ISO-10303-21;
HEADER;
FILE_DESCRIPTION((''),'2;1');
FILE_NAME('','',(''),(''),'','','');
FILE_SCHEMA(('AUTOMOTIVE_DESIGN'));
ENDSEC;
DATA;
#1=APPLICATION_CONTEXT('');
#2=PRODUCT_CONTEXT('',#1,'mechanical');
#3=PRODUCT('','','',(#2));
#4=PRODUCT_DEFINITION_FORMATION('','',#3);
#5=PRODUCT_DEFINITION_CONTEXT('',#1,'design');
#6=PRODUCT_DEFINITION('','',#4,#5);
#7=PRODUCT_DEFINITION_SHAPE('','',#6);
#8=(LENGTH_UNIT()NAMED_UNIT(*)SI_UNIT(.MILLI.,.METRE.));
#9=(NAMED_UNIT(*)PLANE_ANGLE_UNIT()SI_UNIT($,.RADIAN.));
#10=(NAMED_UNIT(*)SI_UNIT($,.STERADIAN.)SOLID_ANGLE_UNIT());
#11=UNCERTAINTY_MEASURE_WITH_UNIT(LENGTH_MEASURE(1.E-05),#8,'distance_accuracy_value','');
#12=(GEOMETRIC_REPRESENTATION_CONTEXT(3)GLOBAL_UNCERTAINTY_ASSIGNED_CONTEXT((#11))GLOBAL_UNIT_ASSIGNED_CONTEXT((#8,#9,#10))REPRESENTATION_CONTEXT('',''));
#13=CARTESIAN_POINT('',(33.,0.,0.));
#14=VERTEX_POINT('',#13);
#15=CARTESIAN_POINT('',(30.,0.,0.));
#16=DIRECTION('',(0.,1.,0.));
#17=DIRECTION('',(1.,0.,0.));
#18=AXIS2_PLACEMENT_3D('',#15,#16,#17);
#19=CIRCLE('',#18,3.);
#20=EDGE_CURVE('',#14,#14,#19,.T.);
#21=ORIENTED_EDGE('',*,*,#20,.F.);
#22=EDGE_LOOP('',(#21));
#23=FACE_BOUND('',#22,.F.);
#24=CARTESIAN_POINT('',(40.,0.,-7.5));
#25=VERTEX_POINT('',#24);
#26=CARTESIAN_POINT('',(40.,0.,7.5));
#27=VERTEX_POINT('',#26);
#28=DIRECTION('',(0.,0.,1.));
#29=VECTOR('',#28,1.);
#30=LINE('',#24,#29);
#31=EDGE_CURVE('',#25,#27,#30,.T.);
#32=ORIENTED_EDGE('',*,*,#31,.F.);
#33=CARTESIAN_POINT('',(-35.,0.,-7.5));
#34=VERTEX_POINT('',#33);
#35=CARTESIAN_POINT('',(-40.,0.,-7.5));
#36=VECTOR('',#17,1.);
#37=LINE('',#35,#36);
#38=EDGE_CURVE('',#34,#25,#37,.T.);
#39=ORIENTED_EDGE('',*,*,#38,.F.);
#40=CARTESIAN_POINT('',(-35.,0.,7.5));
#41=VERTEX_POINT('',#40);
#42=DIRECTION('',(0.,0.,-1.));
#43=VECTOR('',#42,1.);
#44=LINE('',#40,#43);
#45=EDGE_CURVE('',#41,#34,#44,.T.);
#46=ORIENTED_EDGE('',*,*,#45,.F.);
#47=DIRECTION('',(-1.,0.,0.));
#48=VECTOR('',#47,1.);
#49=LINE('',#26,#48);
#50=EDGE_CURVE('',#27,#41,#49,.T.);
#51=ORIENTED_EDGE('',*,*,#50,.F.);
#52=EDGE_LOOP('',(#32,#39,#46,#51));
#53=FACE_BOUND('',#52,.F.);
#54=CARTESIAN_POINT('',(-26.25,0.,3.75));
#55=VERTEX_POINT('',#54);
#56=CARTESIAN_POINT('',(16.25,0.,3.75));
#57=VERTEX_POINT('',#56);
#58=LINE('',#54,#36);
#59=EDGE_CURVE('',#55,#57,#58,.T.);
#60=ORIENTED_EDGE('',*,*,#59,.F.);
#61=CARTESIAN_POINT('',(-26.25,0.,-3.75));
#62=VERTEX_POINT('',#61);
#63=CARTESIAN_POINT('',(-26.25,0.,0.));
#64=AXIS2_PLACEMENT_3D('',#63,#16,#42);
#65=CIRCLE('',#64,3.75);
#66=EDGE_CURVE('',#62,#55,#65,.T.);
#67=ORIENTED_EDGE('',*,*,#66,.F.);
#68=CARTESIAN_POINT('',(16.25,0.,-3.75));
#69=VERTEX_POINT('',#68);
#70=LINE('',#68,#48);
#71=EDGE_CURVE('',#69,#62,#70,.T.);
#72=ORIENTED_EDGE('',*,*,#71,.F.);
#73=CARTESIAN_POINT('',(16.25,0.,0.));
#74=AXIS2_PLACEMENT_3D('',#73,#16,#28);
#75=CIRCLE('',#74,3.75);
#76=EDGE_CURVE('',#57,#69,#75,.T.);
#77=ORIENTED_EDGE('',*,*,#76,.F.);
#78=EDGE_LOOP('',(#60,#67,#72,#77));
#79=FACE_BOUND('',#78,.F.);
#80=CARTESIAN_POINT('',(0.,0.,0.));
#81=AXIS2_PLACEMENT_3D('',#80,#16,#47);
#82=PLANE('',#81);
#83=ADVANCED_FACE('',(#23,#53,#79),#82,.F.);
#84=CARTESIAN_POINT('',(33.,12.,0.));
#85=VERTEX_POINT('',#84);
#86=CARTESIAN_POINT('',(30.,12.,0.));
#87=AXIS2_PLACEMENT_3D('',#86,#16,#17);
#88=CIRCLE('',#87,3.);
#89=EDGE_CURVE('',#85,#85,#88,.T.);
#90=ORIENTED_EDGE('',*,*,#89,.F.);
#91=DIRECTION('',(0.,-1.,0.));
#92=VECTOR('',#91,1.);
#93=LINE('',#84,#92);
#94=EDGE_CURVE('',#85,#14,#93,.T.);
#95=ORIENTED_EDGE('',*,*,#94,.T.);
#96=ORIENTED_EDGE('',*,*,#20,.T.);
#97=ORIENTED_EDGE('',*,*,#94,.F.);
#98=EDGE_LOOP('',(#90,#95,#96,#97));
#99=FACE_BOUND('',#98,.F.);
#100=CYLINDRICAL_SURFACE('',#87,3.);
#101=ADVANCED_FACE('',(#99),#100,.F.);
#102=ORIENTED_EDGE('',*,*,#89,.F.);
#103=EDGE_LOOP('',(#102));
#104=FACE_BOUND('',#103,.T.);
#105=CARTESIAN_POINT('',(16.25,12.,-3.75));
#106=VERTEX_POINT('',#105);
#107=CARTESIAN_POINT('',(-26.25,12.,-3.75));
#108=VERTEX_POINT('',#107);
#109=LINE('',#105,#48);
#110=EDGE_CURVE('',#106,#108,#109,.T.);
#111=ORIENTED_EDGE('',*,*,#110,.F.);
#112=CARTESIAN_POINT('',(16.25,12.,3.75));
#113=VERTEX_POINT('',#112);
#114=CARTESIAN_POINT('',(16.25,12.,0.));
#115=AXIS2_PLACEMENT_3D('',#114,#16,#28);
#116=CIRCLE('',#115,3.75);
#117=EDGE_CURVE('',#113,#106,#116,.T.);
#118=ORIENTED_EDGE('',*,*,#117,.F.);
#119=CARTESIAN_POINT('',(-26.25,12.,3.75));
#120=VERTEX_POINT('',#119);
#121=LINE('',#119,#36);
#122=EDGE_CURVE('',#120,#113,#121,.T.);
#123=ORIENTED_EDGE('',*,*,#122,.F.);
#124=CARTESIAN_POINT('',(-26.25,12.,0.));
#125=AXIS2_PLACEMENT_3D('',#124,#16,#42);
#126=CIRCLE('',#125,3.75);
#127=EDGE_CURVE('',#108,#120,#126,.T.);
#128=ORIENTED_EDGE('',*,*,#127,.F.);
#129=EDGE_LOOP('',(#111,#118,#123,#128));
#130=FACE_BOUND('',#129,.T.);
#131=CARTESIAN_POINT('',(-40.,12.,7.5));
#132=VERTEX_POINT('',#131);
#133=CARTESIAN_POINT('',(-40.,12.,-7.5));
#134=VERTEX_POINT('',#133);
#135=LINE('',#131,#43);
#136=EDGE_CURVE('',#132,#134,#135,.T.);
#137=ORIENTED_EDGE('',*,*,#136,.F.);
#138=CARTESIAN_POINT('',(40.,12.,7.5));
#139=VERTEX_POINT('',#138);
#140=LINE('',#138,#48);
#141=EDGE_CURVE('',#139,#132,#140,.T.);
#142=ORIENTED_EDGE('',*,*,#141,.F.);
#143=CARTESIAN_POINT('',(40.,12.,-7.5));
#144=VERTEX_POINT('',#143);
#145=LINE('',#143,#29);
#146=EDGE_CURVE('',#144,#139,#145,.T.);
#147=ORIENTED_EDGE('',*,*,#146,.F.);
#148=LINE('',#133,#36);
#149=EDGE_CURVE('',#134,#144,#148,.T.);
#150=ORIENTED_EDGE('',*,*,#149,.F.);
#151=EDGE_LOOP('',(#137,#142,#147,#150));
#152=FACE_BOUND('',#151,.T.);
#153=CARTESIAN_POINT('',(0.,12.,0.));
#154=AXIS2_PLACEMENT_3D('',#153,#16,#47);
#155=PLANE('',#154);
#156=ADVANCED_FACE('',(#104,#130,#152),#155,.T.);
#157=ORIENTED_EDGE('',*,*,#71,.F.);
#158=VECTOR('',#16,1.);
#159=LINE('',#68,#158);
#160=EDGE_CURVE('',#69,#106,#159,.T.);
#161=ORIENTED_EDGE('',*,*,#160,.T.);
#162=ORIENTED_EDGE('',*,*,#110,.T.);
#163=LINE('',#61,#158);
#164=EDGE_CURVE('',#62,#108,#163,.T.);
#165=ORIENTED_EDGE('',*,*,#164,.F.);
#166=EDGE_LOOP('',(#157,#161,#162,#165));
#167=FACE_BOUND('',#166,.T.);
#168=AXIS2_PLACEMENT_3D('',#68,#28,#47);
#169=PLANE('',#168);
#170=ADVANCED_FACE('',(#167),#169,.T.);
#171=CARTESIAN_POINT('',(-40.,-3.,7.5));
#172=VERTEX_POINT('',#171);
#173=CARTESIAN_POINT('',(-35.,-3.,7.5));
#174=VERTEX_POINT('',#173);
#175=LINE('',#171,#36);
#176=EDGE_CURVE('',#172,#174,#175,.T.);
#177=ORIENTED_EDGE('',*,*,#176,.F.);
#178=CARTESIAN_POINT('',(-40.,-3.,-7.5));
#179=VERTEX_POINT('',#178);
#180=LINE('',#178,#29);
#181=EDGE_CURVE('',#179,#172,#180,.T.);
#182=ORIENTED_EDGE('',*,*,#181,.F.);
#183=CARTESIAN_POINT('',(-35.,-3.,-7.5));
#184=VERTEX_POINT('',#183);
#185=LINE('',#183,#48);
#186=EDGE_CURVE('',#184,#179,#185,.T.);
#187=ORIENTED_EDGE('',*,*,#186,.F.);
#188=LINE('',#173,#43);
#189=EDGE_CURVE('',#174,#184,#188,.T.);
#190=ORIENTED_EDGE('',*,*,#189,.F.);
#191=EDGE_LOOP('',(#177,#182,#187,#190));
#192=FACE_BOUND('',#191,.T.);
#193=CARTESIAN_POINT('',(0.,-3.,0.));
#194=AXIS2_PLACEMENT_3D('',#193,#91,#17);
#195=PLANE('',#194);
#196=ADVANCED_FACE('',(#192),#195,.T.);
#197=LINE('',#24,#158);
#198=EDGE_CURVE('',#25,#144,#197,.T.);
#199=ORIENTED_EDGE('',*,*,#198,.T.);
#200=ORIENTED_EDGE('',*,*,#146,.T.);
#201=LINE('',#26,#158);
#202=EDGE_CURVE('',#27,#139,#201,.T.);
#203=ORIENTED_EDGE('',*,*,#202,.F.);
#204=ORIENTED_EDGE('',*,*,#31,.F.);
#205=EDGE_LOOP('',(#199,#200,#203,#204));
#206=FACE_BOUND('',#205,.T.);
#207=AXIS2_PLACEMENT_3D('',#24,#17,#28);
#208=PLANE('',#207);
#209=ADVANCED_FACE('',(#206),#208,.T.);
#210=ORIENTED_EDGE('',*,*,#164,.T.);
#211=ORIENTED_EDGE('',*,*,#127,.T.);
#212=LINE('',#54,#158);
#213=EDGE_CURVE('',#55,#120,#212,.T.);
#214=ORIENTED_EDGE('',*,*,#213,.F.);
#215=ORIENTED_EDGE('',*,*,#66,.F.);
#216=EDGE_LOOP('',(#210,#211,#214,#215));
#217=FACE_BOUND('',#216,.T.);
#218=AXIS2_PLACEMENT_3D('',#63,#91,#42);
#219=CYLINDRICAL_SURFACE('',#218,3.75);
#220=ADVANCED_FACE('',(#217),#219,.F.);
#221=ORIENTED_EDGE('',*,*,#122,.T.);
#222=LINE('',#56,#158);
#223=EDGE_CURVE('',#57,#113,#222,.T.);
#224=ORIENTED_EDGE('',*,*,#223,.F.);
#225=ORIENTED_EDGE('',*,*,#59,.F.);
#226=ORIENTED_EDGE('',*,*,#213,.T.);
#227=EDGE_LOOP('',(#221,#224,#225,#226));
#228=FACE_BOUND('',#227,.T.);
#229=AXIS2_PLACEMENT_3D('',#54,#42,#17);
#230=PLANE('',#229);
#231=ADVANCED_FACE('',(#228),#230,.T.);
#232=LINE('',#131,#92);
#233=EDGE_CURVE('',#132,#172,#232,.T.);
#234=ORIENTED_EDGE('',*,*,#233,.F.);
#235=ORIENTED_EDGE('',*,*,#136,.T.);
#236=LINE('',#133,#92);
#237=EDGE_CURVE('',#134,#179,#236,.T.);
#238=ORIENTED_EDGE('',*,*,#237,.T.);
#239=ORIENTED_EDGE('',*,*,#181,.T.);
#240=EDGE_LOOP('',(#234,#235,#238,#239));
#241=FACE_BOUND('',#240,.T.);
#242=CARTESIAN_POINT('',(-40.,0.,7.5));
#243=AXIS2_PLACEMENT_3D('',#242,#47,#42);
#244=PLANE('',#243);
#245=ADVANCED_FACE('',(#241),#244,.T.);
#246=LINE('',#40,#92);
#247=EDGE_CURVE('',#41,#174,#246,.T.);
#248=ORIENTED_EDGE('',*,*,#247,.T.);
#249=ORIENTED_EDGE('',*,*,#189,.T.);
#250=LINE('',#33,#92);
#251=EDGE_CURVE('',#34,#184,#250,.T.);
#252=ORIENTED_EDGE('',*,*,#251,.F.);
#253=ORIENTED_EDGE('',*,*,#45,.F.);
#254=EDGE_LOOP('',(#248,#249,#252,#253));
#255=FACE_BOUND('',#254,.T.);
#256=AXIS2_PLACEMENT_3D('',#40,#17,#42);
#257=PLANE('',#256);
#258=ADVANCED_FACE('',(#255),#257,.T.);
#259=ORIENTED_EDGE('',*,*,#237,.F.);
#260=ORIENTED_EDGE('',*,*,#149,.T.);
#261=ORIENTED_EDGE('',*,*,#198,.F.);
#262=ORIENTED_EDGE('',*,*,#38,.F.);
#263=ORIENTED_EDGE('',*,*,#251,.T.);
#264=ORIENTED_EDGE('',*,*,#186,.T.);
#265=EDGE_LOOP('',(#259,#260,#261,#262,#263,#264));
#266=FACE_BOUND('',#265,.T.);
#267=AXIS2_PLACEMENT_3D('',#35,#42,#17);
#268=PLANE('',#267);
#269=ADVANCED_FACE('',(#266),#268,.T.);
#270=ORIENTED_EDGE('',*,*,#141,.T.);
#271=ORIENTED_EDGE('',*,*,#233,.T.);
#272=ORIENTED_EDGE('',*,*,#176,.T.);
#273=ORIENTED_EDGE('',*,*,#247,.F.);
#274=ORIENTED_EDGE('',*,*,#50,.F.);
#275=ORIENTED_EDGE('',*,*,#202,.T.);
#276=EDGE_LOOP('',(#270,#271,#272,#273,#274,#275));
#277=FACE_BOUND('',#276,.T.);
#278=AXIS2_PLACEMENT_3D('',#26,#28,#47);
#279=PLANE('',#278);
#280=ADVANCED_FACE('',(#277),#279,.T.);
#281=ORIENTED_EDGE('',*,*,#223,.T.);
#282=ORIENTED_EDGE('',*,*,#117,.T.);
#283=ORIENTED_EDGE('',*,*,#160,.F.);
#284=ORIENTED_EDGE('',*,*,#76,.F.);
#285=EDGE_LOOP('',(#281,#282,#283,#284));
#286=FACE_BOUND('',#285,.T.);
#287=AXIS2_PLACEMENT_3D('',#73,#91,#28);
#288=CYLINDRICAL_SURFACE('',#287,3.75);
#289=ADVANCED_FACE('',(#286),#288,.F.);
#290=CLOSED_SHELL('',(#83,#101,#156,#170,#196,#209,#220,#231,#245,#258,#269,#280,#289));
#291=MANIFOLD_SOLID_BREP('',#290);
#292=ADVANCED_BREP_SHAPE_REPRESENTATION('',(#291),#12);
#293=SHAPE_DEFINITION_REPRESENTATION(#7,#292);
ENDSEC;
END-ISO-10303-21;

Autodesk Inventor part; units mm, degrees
ref_plane "YZ Plane" through (0, 0, 0) normal (1, 0, 0) x (0, 1, 0)
ref_plane "XZ Plane" through (0, 0, 0) normal (0, 1, 0) x (-1, 0, 0)
ref_plane "XY Plane" through (0, 0, 0) normal (0, 0, 1) x (1, 0, 0)
sketch "Sketch1" plane through (0, 0, 0) normal (0, 1, 0) x (-1, 0, 0)
  line L0 (-40, 7.5) -> (40, 7.5)
  line L1 (40, 7.5) -> (40, -7.5)
  line L2 (40, -7.5) -> (-40, -7.5)
  line L3 (-40, -7.5) -> (-40, 7.5)
  line L4 (-40, 7.5) -> (40, -7.5) construction
  line L5 (40, 7.5) -> (-40, -7.5) construction
  line L6 (30, 0) -> (-20, 0) construction
  line L7 (26.25, 3.75) -> (-16.25, 3.75)
  line L8 (-16.25, -3.75) -> (26.25, -3.75)
  arc A0 (26.25, -3.75) -> (26.25, 3.75) centre (26.25, 0) ccw
  arc A1 (-16.25, 3.75) -> (-16.25, -3.75) centre (-16.25, 0) ccw
  point P0 (0, 0)
  point P1 (5, 0)
  dimension "d0" = 15
  dimension "d1" = 80
  dimension "d2" = 7.5
  dimension "d3" = 50
  dimension "d4" = 10
extrude "Extrusion1" add sketch "Sketch1" along normal blind 12
sketch "Sketch2" plane through (0, 0, 0) normal (0, -1, 0) x (1, 0, 0)
  line L0 (-40, 7.5) -> (-35, 7.5)
  line L1 (-35, 7.5) -> (-35, -7.5)
  line L2 (-35, -7.5) -> (-40, -7.5)
  line L3 (-40, -7.5) -> (-40, 7.5)
  point P0 (0, 0)
  dimension "d7" = 5
extrude "Extrusion2" add sketch "Sketch2" along normal blind 3
sketch "Sketch3" plane through (0, 12, 0) normal (0, 1, 0) x (1, 0, 0)
  circle A0 centre (30, 0) radius 3
  line L0 (40, -7.5) -> (40, 7.5) projected
  point P0 (0, 0)
  dimension "d19" = 6
  dimension "d20" = 10
extrude "Extrusion3" cut sketch "Sketch3" against normal up to next
thread "Thread1" size "M6x1" class "6H" standard "ANSI Metric M Profile" full length
properties part number "LabClamp"
